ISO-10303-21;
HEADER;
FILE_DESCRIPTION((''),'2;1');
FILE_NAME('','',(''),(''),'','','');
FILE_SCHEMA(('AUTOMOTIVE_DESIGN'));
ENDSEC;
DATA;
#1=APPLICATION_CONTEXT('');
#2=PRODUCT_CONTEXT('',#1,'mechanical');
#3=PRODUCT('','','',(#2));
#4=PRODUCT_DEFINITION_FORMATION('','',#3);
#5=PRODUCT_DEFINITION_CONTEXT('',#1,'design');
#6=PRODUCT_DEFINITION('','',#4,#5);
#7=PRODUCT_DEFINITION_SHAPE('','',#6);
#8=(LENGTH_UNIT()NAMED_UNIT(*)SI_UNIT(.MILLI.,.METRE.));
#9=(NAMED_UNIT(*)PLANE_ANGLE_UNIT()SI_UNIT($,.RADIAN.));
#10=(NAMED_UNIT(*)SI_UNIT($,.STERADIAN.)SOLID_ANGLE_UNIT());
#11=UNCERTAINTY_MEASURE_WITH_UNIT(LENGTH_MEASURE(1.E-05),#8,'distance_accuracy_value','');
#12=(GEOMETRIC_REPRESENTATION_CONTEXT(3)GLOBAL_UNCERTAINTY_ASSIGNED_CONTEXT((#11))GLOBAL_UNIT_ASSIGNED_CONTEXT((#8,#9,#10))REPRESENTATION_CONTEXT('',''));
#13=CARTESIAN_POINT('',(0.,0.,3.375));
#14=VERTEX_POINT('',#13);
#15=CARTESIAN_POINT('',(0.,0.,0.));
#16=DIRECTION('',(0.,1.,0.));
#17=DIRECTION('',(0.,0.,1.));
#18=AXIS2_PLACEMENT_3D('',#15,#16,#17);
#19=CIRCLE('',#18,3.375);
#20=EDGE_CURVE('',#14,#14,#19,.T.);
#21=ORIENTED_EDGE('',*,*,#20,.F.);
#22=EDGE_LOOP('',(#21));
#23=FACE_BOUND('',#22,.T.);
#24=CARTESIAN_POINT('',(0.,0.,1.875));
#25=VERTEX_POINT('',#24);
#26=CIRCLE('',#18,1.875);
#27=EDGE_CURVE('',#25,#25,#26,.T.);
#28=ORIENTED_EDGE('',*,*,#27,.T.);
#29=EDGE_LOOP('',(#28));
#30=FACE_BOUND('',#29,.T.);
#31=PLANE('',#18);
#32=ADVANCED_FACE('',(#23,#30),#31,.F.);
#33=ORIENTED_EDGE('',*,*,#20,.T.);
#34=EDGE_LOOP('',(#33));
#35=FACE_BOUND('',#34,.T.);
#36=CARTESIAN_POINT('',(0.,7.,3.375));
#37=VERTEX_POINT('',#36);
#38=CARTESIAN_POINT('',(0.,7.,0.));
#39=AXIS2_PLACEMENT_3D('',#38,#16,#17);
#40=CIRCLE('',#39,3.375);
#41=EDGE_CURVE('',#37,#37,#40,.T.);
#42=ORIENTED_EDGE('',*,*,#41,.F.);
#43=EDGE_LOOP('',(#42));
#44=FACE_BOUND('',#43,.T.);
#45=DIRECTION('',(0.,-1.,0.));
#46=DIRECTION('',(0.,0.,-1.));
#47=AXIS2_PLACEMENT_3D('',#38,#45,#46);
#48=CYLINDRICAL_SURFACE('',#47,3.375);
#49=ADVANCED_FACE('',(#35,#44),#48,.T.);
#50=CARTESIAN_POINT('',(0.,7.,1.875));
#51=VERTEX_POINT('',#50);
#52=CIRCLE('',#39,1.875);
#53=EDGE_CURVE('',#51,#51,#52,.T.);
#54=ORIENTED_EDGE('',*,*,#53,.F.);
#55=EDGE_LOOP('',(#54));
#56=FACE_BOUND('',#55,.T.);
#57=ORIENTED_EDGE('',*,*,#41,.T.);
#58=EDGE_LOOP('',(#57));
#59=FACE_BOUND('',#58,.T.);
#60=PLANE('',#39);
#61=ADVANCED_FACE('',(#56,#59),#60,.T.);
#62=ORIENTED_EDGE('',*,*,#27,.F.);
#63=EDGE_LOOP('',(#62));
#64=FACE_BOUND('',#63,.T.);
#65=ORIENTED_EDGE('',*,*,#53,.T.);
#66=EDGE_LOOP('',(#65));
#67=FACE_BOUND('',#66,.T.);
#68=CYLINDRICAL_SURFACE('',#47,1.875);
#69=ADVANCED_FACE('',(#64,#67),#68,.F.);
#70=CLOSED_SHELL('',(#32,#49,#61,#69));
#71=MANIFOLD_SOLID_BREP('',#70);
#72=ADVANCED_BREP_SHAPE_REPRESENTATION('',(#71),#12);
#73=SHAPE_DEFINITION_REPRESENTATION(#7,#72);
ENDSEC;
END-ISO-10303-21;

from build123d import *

# Parameters (mm, degrees)
ESBO_O1_R                = 3.375
ESBO_O1_R_2              = 1.875
RESSALTO_EXTRUS_O1_DEPTH = 7


with BuildPart() as part:
    # Esboço1 → Ressalto-extrusão1 (new body)
    with BuildSketch(Plane(origin=(0, 0, 0), x_dir=(1, 0, 0), z_dir=(0, 1, 0))):
        Circle(ESBO_O1_R)
        Circle(ESBO_O1_R_2, mode=Mode.SUBTRACT)
    extrude(amount=RESSALTO_EXTRUS_O1_DEPTH)


solid = part.part
